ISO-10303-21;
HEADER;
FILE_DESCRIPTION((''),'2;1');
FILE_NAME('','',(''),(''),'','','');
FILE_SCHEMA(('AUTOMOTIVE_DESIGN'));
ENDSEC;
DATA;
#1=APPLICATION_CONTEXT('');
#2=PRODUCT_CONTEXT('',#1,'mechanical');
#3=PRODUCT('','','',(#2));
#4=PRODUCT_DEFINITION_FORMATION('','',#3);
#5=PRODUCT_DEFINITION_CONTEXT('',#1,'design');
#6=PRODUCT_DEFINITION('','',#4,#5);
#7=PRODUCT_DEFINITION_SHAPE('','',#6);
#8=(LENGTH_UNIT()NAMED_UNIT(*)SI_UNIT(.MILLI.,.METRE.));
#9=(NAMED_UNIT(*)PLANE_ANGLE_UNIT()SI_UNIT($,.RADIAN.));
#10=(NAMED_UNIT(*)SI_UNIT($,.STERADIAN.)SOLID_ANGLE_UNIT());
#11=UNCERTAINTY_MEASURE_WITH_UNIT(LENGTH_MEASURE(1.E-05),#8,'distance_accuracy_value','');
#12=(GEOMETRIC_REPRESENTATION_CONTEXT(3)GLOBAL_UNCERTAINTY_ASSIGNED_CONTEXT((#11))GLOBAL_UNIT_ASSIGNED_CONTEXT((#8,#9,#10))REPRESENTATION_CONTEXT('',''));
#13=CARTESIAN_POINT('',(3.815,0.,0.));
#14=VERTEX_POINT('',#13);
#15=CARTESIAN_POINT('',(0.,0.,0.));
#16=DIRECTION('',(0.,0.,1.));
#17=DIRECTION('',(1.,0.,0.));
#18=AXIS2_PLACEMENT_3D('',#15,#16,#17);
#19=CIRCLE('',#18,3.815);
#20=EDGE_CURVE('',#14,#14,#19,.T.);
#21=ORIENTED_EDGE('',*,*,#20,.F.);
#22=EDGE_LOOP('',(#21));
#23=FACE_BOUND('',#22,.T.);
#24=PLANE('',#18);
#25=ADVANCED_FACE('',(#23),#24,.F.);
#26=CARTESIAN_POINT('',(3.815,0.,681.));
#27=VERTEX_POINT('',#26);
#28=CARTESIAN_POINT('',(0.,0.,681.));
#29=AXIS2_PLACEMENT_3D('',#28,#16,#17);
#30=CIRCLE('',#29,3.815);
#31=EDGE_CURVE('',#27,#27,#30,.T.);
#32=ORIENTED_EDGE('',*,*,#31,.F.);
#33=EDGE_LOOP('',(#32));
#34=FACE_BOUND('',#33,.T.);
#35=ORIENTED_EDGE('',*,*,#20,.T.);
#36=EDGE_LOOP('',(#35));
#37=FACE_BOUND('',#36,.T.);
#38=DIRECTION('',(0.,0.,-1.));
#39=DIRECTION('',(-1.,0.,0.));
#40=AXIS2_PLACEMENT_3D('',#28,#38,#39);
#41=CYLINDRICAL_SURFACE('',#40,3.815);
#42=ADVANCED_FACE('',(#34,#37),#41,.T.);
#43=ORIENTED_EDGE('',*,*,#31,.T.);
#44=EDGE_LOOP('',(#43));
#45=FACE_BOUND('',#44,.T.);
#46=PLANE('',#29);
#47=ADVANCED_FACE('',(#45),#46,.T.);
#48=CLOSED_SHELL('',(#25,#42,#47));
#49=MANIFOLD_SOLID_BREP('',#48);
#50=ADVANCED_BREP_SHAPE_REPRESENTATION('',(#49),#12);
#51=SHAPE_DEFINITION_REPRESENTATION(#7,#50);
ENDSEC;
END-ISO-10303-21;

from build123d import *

# Parameters (mm, degrees)
ESBO_O1_R                = 3.815
RESSALTO_EXTRUS_O1_DEPTH = 681


with BuildPart() as part:
    # Esboço1 → Ressalto-extrusão1 (new body)
    with BuildSketch(Plane.XY):
        Circle(ESBO_O1_R)
    extrude(amount=RESSALTO_EXTRUS_O1_DEPTH)


solid = part.part
